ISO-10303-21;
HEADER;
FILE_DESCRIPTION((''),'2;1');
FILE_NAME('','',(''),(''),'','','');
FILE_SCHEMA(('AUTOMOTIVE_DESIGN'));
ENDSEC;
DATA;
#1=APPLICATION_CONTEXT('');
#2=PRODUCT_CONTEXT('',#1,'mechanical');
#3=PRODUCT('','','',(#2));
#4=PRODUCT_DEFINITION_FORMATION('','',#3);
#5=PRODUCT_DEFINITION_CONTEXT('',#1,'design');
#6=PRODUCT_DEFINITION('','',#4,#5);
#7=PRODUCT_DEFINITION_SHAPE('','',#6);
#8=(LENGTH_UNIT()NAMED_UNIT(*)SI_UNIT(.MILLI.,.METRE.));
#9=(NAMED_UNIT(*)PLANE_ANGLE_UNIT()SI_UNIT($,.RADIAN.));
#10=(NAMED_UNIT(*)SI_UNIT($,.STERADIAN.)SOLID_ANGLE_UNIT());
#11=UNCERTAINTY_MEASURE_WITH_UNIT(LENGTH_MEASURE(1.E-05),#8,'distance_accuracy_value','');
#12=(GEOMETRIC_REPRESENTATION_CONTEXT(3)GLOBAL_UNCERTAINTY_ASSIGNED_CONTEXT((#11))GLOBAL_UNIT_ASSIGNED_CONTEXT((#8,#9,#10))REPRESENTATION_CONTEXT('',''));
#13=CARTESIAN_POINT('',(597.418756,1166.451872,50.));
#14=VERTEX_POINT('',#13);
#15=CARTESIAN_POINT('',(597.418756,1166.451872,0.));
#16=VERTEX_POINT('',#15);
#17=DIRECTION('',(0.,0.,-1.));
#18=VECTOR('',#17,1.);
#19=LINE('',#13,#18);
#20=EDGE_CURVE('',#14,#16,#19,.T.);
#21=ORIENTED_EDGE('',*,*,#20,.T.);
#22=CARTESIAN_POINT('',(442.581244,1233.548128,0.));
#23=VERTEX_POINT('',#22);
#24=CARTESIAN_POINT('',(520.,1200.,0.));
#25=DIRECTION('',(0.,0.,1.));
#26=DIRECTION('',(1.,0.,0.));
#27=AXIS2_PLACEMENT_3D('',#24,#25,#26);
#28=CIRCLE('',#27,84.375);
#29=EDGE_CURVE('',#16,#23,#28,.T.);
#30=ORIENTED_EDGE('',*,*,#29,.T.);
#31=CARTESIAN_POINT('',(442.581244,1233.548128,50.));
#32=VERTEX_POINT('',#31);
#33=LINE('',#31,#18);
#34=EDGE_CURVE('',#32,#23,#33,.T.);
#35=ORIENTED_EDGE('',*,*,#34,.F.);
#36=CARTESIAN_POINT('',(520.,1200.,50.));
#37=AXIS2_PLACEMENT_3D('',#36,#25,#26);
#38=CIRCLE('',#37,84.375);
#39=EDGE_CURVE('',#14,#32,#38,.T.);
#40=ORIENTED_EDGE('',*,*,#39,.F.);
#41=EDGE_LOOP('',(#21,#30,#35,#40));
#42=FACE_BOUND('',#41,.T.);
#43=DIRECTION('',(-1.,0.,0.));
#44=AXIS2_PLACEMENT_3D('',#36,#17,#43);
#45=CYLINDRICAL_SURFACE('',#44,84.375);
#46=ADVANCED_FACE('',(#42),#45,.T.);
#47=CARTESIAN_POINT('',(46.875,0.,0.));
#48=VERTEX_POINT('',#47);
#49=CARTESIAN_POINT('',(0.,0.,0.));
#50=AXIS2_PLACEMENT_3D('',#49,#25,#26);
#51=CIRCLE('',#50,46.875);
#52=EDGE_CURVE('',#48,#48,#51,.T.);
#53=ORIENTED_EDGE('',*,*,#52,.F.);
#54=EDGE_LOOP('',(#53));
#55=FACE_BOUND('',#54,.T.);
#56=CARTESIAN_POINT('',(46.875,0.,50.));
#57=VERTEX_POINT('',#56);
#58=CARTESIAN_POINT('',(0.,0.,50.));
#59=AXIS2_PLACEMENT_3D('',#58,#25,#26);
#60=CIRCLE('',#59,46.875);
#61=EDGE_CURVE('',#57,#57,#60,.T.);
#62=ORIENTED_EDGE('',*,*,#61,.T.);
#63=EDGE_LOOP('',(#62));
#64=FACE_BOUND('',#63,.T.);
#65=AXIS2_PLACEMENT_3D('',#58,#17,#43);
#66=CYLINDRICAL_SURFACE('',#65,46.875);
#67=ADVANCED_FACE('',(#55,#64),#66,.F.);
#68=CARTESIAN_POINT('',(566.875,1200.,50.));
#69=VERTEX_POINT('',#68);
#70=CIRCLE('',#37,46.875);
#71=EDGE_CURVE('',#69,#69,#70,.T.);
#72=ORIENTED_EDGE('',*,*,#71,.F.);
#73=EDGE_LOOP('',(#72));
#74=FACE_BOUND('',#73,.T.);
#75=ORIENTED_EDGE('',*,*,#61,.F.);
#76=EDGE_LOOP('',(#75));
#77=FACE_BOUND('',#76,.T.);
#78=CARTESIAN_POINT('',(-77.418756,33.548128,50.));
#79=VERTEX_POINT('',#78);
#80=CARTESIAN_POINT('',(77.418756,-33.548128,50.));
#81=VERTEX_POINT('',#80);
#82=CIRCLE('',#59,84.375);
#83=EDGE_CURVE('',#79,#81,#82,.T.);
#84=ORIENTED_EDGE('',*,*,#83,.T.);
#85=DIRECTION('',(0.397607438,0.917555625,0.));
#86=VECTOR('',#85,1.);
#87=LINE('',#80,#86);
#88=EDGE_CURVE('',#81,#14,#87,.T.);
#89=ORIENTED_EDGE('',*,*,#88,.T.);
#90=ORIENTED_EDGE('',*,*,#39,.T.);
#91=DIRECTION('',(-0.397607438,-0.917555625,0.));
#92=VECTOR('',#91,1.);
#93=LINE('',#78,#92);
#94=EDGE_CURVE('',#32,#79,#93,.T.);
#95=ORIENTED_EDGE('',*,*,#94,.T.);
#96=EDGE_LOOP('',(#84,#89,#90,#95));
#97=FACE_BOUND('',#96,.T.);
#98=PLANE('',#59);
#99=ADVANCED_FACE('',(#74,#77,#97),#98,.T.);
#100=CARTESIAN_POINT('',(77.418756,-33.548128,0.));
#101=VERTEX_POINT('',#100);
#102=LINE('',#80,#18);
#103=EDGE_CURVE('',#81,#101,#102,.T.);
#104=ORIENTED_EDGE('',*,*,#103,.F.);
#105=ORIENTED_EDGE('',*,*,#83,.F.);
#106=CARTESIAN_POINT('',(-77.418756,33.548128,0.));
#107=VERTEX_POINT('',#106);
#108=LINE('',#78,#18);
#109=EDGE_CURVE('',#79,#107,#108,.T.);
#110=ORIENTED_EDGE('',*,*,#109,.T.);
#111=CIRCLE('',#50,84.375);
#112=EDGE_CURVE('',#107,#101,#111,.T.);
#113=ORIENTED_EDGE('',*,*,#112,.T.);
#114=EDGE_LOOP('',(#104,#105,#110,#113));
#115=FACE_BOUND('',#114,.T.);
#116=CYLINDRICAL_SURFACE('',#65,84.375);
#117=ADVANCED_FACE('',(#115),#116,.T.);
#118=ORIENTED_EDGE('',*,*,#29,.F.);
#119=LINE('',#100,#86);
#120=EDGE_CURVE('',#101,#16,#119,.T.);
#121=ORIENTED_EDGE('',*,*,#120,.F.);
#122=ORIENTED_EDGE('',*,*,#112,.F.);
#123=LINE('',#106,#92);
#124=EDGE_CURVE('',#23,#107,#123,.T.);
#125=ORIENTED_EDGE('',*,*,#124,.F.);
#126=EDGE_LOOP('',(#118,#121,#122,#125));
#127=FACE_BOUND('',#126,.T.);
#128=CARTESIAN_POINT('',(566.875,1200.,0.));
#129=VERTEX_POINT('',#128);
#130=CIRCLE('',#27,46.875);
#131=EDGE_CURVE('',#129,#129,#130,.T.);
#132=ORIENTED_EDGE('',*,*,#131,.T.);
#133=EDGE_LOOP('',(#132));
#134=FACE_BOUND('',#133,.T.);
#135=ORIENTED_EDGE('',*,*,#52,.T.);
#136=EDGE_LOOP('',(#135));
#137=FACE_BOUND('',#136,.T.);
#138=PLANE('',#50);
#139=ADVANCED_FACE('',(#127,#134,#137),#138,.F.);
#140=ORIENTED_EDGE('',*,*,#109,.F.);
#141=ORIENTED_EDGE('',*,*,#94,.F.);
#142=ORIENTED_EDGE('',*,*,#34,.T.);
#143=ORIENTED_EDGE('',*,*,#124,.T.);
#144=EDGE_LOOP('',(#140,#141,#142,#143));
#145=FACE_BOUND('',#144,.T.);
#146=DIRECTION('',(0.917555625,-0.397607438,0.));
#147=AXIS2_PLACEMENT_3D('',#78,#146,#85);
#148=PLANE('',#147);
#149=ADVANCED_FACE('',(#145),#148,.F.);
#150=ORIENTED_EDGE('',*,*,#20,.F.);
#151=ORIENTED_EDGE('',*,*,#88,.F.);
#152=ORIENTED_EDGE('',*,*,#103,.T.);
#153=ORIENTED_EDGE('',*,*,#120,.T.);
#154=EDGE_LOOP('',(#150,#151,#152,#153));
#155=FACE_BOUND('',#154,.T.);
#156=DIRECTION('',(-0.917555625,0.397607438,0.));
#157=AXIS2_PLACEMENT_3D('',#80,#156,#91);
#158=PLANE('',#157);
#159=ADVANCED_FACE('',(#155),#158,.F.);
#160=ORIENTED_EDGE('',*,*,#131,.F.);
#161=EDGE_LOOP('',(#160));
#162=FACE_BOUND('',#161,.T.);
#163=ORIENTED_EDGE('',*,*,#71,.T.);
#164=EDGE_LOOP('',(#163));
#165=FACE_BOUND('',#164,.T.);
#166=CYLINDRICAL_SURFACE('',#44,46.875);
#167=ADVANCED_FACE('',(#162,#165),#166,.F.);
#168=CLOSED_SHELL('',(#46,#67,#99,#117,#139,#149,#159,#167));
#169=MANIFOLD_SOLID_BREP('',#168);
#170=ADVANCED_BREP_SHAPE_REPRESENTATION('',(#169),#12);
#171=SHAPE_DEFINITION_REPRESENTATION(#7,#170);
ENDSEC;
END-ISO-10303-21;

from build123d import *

# Parameters (mm, degrees)
SKETCH1_R           = 46.875
BOSS_EXTRUDE1_DEPTH = 50


with BuildPart() as part:
    # Sketch1 → Boss-Extrude1 (new body)
    with BuildSketch(Plane.XY):
        with BuildLine():
            Line((-77.418755886, 33.54812755), (442.581244114, 1233.54812755))
            ThreePointArc((442.581244114, 1233.54812755), (553.54812755, 1277.418755886), (597.418755886, 1166.45187245))
            Line((597.418755886, 1166.45187245), (77.418755886, -33.54812755))
            ThreePointArc((77.418755886, -33.54812755), (-33.54812755, -77.418755886), (-77.418755886, 33.54812755))
        make_face()
        with Locations((520, 1200)):
            Circle(SKETCH1_R, mode=Mode.SUBTRACT)
        Circle(SKETCH1_R, mode=Mode.SUBTRACT)
    extrude(amount=BOSS_EXTRUDE1_DEPTH)


solid = part.part
